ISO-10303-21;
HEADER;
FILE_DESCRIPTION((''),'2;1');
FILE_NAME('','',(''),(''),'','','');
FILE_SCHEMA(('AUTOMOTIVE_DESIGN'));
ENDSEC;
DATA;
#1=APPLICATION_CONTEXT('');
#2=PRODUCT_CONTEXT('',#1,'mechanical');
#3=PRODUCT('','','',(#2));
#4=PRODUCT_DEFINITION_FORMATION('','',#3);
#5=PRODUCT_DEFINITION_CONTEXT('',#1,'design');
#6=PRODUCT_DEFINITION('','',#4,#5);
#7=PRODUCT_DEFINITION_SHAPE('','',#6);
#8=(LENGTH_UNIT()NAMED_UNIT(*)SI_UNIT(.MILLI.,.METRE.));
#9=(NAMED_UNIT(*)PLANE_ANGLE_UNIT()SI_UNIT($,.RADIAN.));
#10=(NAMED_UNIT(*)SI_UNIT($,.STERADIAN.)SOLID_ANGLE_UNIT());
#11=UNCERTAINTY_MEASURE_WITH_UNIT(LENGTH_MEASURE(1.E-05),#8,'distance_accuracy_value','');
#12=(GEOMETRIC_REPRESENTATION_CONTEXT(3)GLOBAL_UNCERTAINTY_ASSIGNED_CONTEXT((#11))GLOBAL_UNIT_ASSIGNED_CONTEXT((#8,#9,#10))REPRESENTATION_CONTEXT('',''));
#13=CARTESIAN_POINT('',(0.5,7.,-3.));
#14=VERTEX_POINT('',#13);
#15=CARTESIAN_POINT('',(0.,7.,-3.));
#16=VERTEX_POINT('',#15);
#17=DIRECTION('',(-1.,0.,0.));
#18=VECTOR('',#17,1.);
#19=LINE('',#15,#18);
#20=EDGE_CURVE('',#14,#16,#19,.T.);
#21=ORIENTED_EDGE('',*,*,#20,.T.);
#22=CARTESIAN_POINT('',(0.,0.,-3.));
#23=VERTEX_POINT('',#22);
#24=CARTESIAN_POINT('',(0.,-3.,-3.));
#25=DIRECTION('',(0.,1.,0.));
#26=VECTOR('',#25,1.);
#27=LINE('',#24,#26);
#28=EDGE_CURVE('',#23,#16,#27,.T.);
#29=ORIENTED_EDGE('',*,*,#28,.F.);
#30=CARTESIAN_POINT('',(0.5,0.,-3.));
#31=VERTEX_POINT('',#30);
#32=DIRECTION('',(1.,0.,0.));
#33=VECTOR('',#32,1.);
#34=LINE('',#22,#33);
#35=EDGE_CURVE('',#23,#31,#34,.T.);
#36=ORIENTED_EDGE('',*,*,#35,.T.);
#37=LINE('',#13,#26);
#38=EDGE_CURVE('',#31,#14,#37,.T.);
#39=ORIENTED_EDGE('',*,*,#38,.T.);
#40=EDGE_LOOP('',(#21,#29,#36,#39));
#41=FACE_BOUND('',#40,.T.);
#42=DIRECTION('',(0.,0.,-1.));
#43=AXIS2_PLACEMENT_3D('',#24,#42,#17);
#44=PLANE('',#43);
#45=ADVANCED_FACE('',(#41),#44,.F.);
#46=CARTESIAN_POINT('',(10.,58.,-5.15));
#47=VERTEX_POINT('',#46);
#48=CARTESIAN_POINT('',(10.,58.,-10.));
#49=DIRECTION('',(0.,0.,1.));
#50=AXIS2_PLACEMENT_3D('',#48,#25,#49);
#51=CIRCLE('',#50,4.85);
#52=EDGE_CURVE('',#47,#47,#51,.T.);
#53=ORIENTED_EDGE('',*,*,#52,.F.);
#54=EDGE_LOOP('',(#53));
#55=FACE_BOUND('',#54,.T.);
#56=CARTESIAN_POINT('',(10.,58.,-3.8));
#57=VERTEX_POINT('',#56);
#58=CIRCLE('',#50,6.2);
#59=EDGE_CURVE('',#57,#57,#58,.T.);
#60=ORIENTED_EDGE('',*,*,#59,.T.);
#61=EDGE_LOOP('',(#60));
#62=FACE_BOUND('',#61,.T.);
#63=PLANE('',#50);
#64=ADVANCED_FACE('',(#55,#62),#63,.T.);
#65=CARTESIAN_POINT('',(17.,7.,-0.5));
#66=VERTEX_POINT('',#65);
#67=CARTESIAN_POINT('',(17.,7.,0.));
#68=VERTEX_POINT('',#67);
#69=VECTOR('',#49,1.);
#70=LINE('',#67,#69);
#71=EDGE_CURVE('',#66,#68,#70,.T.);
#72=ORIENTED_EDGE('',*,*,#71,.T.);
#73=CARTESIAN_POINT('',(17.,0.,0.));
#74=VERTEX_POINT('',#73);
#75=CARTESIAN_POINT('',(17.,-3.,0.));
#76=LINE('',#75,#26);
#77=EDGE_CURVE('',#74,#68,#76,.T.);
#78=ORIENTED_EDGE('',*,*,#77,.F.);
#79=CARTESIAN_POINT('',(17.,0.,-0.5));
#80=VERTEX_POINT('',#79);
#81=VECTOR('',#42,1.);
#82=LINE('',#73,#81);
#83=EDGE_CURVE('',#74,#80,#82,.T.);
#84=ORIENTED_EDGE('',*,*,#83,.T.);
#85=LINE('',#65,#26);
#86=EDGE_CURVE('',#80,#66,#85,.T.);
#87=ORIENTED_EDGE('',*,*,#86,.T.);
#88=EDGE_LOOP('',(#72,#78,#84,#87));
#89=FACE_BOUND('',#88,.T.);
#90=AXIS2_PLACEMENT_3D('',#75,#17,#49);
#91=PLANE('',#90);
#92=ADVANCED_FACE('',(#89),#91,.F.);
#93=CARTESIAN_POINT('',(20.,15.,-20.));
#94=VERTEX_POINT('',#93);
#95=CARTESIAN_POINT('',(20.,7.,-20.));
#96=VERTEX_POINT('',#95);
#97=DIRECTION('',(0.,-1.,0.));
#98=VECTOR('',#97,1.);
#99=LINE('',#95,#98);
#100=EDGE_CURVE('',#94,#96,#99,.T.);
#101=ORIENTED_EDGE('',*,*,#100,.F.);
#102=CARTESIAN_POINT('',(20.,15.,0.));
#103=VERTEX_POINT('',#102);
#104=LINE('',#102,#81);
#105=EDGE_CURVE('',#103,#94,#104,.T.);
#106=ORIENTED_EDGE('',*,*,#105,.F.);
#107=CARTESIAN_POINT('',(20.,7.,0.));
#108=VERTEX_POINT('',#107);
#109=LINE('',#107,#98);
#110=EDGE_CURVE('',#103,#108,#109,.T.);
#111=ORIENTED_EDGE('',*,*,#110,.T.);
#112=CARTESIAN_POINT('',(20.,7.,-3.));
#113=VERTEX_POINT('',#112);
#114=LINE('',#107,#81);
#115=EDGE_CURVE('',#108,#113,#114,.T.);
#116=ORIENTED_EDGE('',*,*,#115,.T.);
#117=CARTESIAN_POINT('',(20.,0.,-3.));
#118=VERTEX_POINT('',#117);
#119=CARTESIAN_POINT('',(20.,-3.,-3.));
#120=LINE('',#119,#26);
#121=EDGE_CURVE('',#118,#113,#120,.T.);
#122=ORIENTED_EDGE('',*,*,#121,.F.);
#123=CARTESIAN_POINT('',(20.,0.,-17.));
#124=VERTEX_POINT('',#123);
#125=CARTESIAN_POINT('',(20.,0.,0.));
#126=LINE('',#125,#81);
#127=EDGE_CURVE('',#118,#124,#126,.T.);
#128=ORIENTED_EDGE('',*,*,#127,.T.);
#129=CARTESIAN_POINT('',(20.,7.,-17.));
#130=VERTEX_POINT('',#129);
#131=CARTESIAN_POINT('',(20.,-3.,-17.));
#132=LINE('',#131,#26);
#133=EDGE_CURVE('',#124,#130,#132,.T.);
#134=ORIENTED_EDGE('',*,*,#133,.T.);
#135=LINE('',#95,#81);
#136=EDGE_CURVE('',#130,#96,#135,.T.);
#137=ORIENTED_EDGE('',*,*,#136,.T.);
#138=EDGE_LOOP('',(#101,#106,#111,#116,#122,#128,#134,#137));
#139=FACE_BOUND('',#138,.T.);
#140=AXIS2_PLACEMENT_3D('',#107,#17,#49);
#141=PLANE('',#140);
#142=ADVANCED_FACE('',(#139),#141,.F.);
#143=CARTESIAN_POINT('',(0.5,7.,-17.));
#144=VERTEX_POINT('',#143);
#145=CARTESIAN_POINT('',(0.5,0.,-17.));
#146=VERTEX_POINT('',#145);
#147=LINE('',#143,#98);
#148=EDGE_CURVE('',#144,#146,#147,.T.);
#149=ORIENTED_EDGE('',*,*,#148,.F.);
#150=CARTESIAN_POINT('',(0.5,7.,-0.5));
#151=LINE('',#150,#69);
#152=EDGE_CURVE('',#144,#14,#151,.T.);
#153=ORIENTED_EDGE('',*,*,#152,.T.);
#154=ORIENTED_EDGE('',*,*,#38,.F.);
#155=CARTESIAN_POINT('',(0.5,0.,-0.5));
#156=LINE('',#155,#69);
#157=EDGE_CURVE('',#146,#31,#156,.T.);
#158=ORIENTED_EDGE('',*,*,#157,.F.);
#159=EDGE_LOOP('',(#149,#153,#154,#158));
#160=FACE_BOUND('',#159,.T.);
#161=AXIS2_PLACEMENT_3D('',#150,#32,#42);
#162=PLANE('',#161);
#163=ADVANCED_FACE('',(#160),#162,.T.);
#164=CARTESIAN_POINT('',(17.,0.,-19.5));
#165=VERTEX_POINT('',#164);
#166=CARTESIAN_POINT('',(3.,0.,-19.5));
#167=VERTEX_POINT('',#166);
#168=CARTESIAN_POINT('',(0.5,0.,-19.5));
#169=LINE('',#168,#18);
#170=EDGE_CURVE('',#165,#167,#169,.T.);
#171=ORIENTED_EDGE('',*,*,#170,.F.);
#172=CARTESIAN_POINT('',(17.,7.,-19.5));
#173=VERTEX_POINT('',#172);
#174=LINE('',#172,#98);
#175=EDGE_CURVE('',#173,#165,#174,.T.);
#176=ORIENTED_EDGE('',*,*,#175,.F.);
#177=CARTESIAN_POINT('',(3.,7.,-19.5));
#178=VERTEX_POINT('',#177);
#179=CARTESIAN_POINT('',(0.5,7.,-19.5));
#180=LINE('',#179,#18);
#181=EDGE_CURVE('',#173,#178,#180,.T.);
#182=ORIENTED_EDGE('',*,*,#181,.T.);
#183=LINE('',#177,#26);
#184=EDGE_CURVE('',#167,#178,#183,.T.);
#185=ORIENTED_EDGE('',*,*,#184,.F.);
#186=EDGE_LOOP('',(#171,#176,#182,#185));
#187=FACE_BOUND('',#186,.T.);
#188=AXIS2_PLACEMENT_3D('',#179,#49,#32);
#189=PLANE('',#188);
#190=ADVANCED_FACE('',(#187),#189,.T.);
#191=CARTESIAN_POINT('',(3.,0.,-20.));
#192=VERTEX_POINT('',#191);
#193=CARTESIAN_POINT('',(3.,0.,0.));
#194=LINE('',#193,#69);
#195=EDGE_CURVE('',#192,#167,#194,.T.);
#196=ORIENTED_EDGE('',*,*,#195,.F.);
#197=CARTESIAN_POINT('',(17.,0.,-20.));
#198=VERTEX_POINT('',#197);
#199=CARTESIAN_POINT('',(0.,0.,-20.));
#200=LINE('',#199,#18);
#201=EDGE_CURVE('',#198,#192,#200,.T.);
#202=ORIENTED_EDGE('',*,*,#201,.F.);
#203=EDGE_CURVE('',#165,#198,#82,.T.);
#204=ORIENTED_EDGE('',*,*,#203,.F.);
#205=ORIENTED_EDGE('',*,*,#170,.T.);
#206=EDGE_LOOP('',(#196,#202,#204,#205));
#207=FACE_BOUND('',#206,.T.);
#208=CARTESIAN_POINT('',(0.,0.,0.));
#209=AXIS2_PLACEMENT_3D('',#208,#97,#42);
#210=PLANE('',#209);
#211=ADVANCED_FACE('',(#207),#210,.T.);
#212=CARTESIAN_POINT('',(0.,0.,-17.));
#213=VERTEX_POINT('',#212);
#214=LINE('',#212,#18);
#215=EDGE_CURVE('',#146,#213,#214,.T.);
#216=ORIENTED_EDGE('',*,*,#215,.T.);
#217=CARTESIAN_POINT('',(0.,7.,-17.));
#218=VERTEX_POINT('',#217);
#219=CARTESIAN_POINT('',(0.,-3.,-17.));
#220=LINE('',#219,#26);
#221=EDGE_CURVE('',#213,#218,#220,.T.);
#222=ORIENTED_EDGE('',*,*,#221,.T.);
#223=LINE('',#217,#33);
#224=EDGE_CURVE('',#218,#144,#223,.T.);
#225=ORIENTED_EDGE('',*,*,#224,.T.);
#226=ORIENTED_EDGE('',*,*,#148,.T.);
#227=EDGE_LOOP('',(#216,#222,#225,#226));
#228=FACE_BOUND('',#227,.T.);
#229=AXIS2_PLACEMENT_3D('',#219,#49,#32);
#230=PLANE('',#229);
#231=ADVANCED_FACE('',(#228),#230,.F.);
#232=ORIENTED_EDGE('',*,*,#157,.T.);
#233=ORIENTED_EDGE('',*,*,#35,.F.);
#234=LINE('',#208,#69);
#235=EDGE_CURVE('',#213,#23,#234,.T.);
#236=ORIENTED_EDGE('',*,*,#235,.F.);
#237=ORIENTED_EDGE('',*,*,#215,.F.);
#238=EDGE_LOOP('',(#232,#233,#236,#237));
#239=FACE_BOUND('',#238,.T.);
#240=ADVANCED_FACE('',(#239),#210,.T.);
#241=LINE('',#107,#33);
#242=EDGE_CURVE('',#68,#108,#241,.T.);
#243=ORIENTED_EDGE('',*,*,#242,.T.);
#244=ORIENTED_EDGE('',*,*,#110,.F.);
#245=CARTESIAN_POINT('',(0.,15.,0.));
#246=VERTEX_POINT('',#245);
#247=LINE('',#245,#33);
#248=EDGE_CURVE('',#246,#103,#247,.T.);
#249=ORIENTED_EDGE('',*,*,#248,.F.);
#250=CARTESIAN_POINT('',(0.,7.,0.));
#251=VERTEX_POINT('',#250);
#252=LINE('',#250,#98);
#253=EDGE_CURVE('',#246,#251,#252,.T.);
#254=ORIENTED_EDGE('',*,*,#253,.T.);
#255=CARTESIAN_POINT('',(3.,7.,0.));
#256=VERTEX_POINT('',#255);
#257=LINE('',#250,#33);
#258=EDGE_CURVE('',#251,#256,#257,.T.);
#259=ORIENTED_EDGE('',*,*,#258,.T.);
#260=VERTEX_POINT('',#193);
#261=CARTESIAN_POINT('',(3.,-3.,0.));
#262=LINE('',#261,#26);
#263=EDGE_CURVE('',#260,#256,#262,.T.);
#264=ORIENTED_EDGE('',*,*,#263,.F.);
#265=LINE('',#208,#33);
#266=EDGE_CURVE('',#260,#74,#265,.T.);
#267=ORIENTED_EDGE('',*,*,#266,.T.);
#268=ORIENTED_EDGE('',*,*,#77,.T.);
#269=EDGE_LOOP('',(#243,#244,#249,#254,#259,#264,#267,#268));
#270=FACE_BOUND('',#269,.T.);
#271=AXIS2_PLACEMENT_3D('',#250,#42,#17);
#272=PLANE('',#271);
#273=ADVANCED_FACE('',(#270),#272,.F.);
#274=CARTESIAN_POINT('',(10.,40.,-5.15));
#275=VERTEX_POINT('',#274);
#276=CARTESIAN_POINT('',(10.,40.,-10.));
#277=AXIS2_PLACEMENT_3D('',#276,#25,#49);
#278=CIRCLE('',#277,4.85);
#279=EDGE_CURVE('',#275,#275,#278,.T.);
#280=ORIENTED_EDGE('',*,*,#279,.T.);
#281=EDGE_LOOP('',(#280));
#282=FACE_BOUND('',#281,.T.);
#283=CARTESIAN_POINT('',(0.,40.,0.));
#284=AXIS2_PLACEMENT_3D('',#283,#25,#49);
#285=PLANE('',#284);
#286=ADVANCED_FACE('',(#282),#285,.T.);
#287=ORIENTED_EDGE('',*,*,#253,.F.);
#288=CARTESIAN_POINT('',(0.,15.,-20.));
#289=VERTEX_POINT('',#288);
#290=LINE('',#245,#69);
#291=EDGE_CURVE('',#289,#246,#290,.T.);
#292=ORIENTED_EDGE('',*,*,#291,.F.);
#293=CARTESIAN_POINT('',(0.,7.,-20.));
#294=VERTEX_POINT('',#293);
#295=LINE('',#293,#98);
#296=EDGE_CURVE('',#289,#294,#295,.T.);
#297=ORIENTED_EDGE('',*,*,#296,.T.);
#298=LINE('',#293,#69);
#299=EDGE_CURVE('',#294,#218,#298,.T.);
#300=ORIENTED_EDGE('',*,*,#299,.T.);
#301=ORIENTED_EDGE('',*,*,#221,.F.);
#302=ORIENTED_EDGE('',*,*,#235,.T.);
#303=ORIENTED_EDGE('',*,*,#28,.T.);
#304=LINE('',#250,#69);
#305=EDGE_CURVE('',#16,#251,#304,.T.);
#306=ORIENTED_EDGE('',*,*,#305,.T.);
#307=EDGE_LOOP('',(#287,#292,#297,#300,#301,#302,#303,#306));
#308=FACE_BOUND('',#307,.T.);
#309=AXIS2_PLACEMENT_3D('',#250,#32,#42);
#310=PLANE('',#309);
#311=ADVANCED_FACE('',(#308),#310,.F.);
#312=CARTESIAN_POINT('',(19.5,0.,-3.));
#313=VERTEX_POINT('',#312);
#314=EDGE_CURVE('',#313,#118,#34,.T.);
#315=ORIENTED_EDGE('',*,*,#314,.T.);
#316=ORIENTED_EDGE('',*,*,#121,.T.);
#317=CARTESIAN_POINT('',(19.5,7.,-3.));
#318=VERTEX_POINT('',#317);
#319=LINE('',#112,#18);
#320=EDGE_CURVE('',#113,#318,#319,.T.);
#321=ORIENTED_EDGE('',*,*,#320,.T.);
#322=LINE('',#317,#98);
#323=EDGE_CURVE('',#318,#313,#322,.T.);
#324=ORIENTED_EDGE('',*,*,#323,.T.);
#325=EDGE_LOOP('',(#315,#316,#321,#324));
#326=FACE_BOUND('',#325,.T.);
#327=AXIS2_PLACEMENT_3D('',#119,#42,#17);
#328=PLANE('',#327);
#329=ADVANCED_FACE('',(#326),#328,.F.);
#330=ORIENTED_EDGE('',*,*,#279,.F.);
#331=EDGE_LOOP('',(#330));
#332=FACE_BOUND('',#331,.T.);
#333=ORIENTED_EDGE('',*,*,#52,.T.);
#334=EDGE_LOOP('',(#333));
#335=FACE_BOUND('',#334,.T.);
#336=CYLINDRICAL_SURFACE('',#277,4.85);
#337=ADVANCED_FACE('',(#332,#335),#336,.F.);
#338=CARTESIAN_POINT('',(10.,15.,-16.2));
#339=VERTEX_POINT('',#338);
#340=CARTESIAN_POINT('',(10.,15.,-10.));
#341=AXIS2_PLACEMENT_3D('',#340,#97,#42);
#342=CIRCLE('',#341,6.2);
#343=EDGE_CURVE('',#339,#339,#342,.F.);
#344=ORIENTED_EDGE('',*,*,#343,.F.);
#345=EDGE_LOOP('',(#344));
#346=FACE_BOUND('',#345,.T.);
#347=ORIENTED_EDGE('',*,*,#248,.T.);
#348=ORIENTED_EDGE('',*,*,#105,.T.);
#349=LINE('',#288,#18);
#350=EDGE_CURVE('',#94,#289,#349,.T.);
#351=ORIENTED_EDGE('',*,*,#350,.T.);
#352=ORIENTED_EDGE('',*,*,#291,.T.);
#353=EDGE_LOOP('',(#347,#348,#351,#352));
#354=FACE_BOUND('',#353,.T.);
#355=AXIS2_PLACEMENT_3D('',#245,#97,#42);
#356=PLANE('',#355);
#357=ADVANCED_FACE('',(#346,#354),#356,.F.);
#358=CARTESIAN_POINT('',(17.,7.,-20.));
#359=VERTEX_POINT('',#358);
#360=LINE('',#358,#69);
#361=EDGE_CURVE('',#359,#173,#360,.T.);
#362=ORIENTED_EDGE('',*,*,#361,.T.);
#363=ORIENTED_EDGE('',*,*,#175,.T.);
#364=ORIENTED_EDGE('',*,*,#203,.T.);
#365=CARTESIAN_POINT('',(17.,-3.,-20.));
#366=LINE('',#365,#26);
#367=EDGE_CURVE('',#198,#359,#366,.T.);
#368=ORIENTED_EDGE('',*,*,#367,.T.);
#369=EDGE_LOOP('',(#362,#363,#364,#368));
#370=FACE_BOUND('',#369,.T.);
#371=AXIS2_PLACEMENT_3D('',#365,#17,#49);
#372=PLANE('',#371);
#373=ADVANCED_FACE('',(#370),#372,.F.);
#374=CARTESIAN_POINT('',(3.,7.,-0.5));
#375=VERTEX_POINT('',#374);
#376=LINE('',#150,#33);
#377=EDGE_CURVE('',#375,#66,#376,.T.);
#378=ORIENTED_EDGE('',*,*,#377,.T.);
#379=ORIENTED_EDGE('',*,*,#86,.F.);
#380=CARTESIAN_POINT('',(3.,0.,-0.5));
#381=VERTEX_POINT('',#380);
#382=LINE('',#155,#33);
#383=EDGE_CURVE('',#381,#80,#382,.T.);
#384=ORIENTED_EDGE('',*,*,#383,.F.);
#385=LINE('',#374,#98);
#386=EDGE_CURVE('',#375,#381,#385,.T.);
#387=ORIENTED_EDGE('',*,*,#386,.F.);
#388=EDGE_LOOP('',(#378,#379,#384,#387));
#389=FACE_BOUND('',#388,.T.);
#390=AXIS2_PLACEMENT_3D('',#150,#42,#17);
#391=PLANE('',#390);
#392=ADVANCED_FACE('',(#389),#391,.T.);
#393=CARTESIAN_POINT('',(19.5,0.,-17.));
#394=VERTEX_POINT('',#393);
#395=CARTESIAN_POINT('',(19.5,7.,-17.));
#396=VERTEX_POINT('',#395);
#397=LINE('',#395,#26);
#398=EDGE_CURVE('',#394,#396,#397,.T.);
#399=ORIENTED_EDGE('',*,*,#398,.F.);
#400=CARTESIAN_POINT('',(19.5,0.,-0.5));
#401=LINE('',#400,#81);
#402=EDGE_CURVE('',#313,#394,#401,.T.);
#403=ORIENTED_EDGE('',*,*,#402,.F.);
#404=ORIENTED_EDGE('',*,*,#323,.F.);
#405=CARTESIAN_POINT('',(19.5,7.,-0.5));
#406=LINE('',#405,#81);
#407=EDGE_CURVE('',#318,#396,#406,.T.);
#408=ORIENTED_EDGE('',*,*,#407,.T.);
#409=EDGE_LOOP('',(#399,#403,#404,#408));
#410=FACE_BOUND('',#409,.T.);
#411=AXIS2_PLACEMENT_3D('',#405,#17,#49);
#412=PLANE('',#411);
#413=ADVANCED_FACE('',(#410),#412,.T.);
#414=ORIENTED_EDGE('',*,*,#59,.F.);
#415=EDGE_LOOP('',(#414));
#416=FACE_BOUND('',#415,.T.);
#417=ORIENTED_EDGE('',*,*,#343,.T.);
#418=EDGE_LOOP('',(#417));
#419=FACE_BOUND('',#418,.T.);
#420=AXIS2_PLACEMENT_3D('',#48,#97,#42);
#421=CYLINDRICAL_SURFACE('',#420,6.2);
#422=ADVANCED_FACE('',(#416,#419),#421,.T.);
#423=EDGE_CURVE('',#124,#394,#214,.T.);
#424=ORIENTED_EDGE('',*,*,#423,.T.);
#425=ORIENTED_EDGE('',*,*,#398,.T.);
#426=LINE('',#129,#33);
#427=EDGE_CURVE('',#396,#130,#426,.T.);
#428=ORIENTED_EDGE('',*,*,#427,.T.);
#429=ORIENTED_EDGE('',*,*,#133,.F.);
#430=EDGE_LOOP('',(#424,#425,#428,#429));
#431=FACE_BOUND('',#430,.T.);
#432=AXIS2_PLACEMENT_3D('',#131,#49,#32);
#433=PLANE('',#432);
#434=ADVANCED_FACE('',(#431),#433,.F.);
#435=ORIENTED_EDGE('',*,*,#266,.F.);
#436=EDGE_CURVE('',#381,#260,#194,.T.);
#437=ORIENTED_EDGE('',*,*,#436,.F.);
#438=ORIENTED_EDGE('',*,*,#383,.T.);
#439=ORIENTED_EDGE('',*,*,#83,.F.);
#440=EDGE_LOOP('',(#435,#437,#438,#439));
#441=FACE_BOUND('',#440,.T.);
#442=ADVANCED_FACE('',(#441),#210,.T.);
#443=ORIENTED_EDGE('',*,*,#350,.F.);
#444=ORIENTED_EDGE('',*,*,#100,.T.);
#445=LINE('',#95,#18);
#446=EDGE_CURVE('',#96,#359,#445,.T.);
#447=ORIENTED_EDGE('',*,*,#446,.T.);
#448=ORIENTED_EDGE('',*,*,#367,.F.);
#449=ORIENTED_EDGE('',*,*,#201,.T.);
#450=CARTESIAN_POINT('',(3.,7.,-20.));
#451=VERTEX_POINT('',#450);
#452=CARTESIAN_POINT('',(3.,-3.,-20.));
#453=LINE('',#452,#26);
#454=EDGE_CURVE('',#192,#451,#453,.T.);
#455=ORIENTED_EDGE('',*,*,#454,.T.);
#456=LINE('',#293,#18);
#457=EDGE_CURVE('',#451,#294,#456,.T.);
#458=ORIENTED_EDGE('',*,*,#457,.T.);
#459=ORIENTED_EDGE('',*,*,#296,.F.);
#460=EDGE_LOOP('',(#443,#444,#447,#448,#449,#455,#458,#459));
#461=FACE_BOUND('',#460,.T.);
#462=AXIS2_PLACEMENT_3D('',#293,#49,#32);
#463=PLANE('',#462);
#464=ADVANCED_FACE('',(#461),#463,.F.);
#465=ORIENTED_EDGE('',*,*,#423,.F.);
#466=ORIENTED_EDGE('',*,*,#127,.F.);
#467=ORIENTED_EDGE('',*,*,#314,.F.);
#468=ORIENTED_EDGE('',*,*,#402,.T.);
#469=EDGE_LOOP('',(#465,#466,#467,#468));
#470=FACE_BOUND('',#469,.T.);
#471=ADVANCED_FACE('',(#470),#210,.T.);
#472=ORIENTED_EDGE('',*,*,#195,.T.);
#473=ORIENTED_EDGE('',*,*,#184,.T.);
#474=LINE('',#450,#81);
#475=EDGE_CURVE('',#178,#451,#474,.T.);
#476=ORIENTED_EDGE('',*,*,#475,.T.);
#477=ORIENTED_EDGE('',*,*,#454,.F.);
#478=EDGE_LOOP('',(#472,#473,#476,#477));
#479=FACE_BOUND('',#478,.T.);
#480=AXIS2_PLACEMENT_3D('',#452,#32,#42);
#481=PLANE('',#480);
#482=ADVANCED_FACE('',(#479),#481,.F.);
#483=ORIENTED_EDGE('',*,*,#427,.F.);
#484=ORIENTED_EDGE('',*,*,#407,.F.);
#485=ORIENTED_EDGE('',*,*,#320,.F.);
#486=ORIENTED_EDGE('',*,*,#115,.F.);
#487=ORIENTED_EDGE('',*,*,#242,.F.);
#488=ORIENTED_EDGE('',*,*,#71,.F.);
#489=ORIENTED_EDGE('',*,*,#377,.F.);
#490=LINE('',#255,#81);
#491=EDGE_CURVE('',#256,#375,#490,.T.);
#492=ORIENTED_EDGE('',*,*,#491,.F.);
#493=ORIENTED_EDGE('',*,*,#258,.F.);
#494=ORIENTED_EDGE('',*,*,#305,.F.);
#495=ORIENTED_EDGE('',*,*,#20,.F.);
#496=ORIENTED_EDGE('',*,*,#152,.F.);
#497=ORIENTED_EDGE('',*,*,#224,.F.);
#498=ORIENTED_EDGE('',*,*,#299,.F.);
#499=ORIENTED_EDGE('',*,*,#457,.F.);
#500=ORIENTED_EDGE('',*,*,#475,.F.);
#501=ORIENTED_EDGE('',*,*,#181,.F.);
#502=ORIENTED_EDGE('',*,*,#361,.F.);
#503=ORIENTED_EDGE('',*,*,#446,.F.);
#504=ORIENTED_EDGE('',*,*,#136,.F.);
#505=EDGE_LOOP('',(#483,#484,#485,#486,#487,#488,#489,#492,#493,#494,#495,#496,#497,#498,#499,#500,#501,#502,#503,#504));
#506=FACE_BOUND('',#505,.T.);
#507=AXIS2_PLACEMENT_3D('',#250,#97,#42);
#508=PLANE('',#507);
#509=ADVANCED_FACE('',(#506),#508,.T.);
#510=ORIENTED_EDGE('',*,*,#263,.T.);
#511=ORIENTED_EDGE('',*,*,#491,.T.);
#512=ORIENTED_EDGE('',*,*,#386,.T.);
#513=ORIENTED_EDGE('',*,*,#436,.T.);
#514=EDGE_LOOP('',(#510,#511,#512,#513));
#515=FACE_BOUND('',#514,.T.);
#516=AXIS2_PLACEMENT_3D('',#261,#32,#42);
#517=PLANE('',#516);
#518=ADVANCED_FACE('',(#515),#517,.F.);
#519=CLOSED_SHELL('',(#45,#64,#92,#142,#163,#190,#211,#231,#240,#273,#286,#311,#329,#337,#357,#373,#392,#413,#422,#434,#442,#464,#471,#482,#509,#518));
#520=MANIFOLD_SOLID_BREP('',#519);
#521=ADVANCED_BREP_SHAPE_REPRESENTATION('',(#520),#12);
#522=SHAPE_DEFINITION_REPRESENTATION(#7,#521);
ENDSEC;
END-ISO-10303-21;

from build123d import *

# Parameters (mm, degrees)
SKETCH_1_W          = 20
SKETCH_1_H          = 20
SKETCH_1_W_2        = 19
SKETCH_1_H_2        = 19
EXTRUDE_1_DEPTH     = 7
SKETCH_3_W          = 20
SKETCH_3_H          = 20
EXTRUDE_2_DEPTH     = 8
SKETCH_4_R          = 6.2
EXTRUDE_3_DEPTH     = 43
SKETCH_5_R          = 4.85
CUT_EXTRUDE_1_DEPTH = 18
SKETCH_6_W          = 3
SKETCH_6_H          = 3
CUT_EXTRUDE_2_DEPTH = 10


with BuildPart() as part:
    # 草圖1 → 填料-伸長1 (new body)
    with BuildSketch(Plane(origin=(0, 0, 0), x_dir=(1, 0, 0), z_dir=(0, 1, 0))):
        with Locations((10, 10)):
            Rectangle(SKETCH_1_W, SKETCH_1_H)
        with Locations((10, 10)):
            Rectangle(SKETCH_1_W_2, SKETCH_1_H_2, mode=Mode.SUBTRACT)
    extrude(amount=EXTRUDE_1_DEPTH)

    # 草圖3 → 填料-伸長2 (add)
    with BuildSketch(Plane(origin=(0, 7, 0), x_dir=(1, 0, 0), z_dir=(0, 1, 0))):
        with Locations((10, 10)):
            Rectangle(SKETCH_3_W, SKETCH_3_H)
    extrude(amount=EXTRUDE_2_DEPTH)

    # 草圖4 → 填料-伸長3 (add)
    with BuildSketch(Plane(origin=(0, 15, 0), x_dir=(1, 0, 0), z_dir=(0, 1, 0))):
        with Locations((10, 10)):
            Circle(SKETCH_4_R)
    extrude(amount=EXTRUDE_3_DEPTH)

    # 草圖5 → 除料-伸長1 (cut)
    with BuildSketch(Plane(origin=(0, 58, 0), x_dir=(1, 0, 0), z_dir=(0, 1, 0))):
        with Locations((10, 10)):
            Circle(SKETCH_5_R)
    extrude(amount=-CUT_EXTRUDE_1_DEPTH, mode=Mode.SUBTRACT)

    # 草圖6 → 除料-伸長2 (cut)
    with BuildSketch(Plane(origin=(0, 7, 0), x_dir=(1, 0, 0), z_dir=(0, 1, 0))):
        with Locations((1.5, 18.5)):
            Rectangle(SKETCH_6_W, SKETCH_6_H)
        with Locations((18.5, 1.5)):
            Rectangle(SKETCH_6_W, SKETCH_6_H)
        with Locations((18.5, 18.5)):
            Rectangle(SKETCH_6_W, SKETCH_6_H)
        with Locations((1.5, 1.5)):
            Rectangle(SKETCH_6_W, SKETCH_6_H)
    extrude(amount=-CUT_EXTRUDE_2_DEPTH, mode=Mode.SUBTRACT)


solid = part.part
